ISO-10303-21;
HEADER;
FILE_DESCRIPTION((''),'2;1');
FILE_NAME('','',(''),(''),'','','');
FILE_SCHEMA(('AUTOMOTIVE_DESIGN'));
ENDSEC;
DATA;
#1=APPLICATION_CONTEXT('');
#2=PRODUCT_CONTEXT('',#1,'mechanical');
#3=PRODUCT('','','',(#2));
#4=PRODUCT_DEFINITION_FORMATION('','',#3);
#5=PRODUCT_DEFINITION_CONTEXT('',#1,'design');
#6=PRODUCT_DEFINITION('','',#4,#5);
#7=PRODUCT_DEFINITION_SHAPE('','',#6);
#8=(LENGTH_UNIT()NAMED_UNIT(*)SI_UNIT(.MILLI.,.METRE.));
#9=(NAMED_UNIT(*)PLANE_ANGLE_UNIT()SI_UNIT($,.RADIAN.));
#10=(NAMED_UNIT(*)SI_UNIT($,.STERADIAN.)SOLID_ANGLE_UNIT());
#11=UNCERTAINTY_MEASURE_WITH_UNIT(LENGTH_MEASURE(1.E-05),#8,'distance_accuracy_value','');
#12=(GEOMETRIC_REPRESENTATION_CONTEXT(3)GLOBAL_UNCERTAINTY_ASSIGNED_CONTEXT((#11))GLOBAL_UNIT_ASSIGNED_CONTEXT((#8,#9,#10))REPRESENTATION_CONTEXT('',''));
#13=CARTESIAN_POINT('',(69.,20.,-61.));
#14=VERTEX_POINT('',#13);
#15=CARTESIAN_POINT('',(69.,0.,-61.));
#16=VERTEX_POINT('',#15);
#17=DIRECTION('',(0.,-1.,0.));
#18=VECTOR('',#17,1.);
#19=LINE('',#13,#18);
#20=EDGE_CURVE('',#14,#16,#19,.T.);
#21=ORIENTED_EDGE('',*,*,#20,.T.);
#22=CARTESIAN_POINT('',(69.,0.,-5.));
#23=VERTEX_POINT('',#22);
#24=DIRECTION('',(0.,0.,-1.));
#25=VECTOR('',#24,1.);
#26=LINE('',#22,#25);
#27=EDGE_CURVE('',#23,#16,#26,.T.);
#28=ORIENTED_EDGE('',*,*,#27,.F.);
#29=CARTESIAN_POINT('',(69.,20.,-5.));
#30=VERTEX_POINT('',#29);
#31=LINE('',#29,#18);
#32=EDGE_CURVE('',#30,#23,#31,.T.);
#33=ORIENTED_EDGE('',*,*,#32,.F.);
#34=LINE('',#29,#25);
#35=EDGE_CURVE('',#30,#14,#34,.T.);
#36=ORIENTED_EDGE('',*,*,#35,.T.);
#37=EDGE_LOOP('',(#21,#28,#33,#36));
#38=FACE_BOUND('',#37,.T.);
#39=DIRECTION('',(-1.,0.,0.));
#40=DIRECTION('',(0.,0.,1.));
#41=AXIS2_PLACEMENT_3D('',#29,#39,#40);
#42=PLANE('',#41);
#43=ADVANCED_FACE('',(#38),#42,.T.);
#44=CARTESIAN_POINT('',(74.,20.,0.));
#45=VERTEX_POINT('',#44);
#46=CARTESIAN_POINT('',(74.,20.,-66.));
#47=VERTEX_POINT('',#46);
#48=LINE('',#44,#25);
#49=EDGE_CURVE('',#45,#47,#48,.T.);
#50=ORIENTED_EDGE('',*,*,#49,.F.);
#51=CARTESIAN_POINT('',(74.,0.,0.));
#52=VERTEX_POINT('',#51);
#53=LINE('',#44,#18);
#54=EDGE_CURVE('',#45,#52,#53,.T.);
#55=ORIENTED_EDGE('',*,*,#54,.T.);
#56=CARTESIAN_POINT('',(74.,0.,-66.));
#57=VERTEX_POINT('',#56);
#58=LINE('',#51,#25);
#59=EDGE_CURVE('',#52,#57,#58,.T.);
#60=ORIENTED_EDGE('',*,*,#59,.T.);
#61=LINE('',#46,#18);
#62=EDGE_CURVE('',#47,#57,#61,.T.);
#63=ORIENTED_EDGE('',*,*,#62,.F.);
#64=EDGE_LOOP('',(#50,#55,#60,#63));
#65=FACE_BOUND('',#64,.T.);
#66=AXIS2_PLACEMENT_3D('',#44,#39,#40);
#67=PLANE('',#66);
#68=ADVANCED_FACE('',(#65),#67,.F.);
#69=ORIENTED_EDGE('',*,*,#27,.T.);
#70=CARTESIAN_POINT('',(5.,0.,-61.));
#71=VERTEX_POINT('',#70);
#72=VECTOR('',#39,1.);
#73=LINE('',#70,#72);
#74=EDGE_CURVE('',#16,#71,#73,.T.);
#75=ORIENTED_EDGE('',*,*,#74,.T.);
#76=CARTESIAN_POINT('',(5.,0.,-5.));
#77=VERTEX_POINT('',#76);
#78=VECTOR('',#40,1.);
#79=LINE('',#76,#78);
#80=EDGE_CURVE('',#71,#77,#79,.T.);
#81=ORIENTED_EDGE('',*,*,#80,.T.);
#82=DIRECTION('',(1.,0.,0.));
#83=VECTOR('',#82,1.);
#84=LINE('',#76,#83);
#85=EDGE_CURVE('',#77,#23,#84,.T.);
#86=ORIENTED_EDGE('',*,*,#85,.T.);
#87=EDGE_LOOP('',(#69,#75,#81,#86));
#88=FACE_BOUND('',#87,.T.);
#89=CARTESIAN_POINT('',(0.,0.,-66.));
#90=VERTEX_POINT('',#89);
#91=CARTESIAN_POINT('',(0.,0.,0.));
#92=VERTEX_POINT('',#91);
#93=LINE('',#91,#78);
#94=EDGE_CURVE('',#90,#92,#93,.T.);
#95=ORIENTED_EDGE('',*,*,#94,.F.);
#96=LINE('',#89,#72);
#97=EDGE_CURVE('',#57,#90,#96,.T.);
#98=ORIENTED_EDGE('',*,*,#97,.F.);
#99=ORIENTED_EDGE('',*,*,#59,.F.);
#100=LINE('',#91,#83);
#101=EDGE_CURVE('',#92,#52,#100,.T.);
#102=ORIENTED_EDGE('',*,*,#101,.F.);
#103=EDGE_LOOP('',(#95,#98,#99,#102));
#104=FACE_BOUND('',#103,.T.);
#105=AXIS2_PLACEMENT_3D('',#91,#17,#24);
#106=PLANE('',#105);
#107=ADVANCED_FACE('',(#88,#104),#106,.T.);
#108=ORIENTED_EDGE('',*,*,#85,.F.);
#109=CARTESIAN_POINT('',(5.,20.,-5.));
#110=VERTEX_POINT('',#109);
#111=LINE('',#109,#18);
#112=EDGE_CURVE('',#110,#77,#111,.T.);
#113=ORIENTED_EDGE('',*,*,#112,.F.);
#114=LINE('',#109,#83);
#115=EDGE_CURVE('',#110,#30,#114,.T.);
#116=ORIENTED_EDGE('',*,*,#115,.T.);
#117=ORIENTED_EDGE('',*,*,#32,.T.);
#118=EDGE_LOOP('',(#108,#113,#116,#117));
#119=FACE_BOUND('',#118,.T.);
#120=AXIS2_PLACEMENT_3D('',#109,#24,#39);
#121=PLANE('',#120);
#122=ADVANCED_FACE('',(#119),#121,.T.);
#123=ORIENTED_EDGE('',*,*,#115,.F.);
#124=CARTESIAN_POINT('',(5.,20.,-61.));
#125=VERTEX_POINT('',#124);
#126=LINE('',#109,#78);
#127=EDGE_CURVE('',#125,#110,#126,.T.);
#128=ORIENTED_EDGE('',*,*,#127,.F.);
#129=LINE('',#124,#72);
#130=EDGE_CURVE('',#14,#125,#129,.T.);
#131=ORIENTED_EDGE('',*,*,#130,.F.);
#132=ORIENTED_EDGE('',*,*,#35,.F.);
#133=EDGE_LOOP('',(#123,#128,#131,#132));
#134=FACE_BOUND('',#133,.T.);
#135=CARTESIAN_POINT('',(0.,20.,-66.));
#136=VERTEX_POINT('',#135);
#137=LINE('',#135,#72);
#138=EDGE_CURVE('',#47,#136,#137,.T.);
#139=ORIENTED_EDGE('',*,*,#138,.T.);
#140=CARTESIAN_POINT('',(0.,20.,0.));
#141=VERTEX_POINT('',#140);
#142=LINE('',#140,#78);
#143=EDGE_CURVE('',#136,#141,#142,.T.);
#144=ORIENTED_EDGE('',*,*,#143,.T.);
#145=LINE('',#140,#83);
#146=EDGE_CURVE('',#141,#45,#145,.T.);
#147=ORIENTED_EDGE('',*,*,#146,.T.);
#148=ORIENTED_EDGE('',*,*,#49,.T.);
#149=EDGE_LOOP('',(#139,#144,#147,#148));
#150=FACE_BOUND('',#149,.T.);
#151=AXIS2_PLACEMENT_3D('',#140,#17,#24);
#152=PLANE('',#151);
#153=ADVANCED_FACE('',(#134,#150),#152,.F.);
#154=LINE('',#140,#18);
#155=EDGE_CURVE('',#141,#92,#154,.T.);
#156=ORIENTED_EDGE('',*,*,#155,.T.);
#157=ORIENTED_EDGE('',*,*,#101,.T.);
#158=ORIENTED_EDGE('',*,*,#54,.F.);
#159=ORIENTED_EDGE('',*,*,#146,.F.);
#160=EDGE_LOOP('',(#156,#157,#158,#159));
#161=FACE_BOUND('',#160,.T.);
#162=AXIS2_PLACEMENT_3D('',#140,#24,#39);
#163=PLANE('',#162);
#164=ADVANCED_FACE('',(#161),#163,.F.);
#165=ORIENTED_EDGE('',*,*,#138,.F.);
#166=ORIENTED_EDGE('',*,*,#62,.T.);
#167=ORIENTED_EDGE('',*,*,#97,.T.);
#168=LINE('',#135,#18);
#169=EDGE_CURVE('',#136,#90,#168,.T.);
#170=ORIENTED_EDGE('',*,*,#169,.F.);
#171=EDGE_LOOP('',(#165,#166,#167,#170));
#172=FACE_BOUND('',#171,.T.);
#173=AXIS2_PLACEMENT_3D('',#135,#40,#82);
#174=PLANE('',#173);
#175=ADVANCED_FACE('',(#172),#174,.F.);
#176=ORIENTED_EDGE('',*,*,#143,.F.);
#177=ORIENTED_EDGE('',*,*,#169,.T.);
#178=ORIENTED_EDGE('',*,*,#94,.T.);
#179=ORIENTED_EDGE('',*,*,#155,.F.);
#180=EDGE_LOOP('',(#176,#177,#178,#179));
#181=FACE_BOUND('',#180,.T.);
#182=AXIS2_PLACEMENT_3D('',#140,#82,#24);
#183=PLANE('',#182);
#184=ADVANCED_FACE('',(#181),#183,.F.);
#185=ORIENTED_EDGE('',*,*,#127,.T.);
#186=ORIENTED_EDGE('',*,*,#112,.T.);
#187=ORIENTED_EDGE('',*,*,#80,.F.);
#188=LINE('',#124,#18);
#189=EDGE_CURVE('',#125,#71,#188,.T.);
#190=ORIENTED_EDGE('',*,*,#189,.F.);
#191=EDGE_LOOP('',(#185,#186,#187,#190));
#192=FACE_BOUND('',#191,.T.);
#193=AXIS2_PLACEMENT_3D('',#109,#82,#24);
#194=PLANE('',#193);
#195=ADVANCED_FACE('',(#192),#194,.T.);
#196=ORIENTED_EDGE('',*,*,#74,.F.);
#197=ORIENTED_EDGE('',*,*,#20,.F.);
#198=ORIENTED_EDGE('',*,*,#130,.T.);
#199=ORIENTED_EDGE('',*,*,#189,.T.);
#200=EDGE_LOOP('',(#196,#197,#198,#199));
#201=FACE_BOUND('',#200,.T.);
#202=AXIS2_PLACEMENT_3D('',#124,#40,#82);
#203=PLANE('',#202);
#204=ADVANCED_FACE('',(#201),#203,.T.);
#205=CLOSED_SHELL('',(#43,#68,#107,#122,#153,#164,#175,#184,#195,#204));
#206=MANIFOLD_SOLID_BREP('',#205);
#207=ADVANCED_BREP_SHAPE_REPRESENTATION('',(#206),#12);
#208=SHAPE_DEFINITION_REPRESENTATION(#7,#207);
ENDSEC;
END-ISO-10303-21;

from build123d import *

# Parameters (mm, degrees)
IZIM1_W                     = 74
IZIM1_H                     = 66
IZIM1_W_2                   = 64
IZIM1_H_2                   = 56
Y_KSEKLIK_EKSTR_ZYON1_DEPTH = 20


with BuildPart() as part:
    # Çizim1 → Yükseklik-Ekstrüzyon1 (new body)
    with BuildSketch(Plane(origin=(0, 0, 0), x_dir=(1, 0, 0), z_dir=(0, 1, 0))):
        with Locations((37, 33)):
            Rectangle(IZIM1_W, IZIM1_H)
        with Locations((37, 33)):
            Rectangle(IZIM1_W_2, IZIM1_H_2, mode=Mode.SUBTRACT)
    extrude(amount=Y_KSEKLIK_EKSTR_ZYON1_DEPTH)


solid = part.part
